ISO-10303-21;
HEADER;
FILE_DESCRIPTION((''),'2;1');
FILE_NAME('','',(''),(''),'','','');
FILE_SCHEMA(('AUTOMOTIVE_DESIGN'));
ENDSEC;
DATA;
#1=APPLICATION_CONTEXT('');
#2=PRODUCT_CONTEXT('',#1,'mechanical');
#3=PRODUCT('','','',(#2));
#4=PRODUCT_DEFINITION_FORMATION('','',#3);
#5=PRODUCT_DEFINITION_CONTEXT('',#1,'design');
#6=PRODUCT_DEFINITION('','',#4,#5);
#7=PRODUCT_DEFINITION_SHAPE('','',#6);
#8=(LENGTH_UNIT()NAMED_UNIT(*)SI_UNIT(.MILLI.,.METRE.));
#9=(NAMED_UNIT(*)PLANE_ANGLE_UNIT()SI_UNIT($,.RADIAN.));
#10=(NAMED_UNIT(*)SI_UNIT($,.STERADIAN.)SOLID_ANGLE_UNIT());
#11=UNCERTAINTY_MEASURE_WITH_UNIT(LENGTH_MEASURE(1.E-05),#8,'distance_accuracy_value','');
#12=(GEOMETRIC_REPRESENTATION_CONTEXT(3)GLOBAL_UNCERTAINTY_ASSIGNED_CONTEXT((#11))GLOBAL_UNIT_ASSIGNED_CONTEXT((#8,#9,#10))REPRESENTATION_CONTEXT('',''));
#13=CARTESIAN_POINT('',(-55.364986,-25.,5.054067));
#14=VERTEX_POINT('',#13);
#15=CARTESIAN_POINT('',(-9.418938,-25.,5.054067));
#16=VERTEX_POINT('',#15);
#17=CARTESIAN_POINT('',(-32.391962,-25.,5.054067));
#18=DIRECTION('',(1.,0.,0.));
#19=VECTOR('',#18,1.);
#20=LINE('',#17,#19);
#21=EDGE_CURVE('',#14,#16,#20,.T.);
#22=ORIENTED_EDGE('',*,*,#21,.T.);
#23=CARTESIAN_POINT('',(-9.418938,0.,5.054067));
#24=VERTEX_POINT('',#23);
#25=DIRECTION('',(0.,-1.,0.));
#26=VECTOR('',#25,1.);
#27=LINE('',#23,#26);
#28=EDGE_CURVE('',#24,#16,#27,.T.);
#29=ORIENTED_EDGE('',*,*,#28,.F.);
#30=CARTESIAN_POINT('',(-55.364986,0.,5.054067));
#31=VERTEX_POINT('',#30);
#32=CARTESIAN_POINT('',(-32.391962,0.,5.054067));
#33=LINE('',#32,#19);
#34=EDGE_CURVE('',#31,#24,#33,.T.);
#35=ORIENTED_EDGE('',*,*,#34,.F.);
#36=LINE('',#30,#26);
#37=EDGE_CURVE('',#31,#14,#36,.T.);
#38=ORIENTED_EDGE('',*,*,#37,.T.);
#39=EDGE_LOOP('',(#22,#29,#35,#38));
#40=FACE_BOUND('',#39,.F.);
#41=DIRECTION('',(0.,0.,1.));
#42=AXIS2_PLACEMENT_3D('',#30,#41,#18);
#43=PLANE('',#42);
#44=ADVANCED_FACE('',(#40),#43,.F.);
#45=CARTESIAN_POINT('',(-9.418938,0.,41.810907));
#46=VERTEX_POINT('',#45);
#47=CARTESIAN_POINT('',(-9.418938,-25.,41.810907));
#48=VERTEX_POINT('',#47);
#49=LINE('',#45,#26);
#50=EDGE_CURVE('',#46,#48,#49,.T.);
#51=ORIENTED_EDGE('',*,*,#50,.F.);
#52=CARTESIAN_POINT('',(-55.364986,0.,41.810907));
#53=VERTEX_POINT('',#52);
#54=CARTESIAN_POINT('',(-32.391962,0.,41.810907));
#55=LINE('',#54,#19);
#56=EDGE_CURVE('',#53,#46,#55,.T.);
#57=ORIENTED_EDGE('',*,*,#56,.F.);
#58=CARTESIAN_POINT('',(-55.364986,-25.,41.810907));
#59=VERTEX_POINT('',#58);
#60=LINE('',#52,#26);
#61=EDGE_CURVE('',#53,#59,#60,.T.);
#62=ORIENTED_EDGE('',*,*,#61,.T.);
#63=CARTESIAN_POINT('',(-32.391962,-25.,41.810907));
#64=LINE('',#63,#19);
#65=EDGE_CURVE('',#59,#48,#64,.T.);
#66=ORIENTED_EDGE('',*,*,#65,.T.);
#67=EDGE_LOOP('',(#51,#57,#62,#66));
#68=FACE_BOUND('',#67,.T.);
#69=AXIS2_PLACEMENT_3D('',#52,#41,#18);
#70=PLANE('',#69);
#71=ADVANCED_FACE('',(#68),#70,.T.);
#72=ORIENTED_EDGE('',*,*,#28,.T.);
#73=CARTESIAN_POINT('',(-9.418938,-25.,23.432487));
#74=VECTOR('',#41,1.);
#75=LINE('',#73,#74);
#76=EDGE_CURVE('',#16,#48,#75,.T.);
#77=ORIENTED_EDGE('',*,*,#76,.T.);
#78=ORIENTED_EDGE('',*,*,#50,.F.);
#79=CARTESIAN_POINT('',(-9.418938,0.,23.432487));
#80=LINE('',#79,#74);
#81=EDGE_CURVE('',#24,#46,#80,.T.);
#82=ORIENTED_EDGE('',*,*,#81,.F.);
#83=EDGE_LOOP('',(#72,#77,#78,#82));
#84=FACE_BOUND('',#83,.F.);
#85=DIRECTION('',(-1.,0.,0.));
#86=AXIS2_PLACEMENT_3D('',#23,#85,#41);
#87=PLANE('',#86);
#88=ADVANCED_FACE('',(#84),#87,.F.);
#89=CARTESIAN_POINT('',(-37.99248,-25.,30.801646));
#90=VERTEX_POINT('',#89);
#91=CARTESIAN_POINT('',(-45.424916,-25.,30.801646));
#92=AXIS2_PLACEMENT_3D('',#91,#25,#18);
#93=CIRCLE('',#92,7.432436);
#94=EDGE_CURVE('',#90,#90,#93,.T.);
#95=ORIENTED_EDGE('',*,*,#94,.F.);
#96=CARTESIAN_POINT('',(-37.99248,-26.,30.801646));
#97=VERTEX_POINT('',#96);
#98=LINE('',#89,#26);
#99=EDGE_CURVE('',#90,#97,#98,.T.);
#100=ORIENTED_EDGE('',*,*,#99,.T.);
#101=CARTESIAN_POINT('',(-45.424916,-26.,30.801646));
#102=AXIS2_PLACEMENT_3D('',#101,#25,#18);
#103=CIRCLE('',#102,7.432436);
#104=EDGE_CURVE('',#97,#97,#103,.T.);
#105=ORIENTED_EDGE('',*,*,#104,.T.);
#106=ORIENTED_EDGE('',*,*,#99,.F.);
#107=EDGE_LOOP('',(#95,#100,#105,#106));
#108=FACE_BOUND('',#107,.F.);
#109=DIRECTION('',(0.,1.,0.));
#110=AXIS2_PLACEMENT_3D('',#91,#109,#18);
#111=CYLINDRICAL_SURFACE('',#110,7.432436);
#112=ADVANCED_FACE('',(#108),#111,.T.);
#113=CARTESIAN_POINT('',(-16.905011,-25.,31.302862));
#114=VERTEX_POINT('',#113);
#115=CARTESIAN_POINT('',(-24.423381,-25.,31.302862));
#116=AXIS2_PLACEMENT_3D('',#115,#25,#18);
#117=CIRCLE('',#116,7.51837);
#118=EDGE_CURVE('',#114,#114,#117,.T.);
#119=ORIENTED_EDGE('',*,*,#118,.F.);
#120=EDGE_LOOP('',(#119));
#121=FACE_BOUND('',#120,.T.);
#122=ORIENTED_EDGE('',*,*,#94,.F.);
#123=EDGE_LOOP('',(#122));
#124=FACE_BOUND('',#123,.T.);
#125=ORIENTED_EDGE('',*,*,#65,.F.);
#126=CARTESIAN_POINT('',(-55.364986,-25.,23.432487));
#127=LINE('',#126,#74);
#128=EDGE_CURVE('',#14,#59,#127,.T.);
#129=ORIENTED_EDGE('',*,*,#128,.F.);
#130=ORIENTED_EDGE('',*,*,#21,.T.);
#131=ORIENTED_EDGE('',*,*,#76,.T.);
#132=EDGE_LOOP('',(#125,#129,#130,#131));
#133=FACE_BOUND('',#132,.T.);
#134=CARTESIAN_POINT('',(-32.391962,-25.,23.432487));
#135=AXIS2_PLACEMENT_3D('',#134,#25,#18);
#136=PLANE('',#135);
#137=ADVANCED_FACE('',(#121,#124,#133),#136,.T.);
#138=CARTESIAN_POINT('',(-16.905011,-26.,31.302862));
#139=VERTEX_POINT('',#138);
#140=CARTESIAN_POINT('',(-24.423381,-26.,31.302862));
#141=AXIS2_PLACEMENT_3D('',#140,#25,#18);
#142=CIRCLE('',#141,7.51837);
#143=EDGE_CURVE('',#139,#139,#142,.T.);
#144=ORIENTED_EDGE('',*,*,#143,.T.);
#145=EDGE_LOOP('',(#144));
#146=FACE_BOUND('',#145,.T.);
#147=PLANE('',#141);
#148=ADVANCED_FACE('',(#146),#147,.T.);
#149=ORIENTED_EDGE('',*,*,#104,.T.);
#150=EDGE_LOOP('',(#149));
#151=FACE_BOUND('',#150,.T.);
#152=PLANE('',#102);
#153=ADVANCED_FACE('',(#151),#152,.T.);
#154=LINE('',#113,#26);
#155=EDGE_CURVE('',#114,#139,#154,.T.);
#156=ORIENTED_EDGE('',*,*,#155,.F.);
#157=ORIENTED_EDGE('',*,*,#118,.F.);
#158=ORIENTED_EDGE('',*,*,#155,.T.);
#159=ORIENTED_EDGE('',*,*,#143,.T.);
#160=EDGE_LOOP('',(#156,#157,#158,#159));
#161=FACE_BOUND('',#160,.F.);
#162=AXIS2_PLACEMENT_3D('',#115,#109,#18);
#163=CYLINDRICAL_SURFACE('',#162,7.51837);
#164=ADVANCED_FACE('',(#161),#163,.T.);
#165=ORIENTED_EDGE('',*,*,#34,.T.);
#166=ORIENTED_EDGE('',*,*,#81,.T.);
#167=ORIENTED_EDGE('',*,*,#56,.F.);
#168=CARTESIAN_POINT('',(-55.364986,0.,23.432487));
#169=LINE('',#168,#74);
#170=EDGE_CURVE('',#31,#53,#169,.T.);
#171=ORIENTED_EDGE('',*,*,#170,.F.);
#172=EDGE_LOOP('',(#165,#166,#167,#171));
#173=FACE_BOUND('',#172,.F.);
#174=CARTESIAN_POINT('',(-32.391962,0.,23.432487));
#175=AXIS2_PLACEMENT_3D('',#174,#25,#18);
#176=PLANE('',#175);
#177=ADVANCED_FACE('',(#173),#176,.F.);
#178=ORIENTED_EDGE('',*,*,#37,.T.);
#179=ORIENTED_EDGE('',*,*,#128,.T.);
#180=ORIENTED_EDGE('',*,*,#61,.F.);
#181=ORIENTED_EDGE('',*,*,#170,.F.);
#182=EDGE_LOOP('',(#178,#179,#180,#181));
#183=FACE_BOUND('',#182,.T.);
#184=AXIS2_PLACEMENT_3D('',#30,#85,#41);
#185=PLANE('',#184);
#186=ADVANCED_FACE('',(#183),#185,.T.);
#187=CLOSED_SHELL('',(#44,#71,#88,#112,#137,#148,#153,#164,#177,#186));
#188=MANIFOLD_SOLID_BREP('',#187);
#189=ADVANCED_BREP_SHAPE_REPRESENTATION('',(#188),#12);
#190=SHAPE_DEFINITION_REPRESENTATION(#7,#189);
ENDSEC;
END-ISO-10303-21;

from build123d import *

# Parameters (mm, degrees)
F0_W     = 45.946047
F0_H     = 36.75684
F1_DEPTH = 25
F2_R     = 7.432436
F2_R_2   = 7.51837
F3_DEPTH = 1


with BuildPart() as f1:
    # F0 (on Front) → F1 (new body)
    with BuildSketch(Plane.XZ):
        with Locations((-32.391962, 23.432487)):
            Rectangle(F0_W, F0_H)
    extrude(amount=F1_DEPTH)

    # F2 (on face) → F3 (join)
    with BuildSketch(Plane.XZ.offset(25)):
        with Locations((-45.424916, 30.801646)):
            Circle(F2_R)
        with Locations((-24.423381, 31.302862)):
            Circle(F2_R_2)
    extrude(amount=F3_DEPTH)


solid = f1.part
